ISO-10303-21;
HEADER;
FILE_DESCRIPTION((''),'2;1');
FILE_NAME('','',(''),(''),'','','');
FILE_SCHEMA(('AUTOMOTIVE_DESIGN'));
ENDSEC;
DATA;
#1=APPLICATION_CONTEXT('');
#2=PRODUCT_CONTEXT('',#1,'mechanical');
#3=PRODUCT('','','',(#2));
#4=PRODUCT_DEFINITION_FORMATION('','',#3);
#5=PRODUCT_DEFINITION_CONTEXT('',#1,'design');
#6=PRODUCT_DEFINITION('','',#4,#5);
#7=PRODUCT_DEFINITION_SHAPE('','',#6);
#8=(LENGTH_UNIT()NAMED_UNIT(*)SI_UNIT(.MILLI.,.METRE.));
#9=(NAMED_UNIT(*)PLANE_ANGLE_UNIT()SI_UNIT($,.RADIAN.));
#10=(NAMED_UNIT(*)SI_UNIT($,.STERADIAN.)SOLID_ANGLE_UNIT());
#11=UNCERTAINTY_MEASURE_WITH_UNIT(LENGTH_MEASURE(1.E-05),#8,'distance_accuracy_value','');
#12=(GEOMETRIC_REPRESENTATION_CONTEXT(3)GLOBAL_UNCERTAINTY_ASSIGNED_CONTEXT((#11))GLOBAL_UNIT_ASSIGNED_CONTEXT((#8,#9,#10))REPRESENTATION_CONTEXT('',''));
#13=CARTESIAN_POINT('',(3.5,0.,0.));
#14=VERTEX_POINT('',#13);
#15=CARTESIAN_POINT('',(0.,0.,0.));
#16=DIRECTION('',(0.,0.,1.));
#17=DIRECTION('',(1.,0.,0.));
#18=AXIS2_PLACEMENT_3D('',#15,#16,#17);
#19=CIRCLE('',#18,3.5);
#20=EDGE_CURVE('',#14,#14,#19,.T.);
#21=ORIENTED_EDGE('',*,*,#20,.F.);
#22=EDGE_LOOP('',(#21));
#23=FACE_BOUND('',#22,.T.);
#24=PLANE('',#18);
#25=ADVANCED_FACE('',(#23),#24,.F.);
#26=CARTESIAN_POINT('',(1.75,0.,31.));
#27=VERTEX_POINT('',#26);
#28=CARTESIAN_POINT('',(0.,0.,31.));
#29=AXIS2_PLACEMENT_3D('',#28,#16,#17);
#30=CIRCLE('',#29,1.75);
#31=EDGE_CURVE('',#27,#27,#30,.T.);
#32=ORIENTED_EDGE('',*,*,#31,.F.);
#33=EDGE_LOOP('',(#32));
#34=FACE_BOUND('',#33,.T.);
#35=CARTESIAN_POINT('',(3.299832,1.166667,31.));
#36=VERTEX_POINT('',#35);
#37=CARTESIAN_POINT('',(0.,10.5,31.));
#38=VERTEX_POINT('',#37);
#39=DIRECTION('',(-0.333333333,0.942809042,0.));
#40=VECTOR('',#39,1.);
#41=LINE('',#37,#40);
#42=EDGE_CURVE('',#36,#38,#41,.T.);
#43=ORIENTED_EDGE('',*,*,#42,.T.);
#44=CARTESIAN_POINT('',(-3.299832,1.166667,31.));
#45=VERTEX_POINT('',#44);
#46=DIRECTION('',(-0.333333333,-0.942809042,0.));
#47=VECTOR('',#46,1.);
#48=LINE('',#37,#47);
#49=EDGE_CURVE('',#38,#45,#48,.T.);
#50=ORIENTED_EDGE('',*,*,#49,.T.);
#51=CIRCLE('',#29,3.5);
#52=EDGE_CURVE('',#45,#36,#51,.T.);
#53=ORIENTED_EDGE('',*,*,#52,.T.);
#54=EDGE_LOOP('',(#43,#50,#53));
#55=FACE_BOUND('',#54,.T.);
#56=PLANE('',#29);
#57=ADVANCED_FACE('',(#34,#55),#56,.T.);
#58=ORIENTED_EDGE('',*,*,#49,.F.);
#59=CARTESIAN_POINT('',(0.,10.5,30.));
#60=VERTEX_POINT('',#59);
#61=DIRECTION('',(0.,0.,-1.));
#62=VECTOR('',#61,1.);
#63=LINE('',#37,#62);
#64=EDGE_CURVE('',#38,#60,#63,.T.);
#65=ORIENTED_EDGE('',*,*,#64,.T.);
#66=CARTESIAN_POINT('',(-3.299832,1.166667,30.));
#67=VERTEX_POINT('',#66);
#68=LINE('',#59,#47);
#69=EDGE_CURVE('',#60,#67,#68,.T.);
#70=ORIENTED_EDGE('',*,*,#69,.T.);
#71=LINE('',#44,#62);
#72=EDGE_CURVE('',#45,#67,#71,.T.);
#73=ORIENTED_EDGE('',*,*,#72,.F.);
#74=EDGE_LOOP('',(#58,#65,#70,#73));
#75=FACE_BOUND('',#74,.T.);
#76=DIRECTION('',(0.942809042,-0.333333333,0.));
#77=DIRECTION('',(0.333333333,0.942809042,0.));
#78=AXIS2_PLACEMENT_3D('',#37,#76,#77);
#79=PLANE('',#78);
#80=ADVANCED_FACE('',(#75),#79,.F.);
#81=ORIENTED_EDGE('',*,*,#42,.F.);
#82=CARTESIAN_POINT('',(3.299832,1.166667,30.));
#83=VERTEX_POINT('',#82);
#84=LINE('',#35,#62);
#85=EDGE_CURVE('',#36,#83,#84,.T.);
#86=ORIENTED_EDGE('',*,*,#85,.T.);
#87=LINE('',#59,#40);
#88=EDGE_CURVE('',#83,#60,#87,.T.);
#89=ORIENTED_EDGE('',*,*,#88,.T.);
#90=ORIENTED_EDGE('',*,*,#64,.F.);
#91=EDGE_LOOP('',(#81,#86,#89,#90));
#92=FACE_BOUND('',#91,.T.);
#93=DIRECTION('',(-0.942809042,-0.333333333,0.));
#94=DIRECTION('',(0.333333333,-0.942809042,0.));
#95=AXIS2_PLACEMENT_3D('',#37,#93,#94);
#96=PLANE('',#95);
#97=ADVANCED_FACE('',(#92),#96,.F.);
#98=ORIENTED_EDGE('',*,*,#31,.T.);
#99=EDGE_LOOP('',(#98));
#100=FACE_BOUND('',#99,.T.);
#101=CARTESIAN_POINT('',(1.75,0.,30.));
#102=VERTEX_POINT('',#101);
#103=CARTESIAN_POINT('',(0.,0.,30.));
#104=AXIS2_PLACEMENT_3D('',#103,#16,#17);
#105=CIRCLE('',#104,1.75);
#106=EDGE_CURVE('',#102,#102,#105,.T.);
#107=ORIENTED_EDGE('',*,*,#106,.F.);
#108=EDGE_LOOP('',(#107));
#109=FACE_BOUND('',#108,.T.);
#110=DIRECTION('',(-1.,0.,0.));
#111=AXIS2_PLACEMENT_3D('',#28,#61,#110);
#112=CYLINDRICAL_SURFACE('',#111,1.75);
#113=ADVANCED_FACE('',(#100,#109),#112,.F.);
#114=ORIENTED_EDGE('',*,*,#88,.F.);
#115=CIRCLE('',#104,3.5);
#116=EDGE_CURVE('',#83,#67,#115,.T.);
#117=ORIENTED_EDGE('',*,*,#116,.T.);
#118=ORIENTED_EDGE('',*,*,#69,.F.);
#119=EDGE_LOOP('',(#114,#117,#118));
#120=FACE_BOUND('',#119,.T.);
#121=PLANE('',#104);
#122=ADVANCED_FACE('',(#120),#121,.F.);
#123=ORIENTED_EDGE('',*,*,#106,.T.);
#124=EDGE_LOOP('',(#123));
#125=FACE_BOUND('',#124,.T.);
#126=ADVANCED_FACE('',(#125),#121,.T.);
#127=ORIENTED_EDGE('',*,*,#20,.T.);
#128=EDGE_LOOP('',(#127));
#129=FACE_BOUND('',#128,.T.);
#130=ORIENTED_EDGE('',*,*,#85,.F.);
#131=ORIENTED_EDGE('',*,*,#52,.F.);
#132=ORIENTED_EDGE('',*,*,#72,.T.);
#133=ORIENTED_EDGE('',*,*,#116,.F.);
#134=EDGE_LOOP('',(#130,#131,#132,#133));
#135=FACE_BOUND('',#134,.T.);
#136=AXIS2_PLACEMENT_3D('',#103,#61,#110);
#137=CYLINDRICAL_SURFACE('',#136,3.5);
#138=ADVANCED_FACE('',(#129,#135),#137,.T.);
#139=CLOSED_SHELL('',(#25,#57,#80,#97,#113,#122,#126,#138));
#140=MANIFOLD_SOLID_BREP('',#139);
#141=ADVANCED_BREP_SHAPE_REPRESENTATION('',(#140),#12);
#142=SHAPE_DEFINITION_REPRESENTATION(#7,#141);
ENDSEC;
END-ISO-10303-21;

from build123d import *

# Parameters (mm, degrees)
SKETCH1_R           = 3.5
BOSS_EXTRUDE1_DEPTH = 30
SKETCH3_R           = 1.75
BOSS_EXTRUDE2_DEPTH = 1


with BuildPart() as part:
    # Sketch1 → Boss-Extrude1 (new body)
    with BuildSketch(Plane.XY):
        Circle(SKETCH1_R)
    extrude(amount=BOSS_EXTRUDE1_DEPTH)

    # Sketch3 → Boss-Extrude2 (add)
    with BuildSketch(Plane.XY.offset(30)):
        with BuildLine():
            Line((0, 10.5), (-3.299831646, 1.166666667))
            ThreePointArc((-3.299831646, 1.166666667), (0, -3.5), (3.299831646, 1.166666667))
            Line((3.299831646, 1.166666667), (0, 10.5))
        make_face()
        Circle(SKETCH3_R, mode=Mode.SUBTRACT)
    extrude(amount=BOSS_EXTRUDE2_DEPTH)


solid = part.part
